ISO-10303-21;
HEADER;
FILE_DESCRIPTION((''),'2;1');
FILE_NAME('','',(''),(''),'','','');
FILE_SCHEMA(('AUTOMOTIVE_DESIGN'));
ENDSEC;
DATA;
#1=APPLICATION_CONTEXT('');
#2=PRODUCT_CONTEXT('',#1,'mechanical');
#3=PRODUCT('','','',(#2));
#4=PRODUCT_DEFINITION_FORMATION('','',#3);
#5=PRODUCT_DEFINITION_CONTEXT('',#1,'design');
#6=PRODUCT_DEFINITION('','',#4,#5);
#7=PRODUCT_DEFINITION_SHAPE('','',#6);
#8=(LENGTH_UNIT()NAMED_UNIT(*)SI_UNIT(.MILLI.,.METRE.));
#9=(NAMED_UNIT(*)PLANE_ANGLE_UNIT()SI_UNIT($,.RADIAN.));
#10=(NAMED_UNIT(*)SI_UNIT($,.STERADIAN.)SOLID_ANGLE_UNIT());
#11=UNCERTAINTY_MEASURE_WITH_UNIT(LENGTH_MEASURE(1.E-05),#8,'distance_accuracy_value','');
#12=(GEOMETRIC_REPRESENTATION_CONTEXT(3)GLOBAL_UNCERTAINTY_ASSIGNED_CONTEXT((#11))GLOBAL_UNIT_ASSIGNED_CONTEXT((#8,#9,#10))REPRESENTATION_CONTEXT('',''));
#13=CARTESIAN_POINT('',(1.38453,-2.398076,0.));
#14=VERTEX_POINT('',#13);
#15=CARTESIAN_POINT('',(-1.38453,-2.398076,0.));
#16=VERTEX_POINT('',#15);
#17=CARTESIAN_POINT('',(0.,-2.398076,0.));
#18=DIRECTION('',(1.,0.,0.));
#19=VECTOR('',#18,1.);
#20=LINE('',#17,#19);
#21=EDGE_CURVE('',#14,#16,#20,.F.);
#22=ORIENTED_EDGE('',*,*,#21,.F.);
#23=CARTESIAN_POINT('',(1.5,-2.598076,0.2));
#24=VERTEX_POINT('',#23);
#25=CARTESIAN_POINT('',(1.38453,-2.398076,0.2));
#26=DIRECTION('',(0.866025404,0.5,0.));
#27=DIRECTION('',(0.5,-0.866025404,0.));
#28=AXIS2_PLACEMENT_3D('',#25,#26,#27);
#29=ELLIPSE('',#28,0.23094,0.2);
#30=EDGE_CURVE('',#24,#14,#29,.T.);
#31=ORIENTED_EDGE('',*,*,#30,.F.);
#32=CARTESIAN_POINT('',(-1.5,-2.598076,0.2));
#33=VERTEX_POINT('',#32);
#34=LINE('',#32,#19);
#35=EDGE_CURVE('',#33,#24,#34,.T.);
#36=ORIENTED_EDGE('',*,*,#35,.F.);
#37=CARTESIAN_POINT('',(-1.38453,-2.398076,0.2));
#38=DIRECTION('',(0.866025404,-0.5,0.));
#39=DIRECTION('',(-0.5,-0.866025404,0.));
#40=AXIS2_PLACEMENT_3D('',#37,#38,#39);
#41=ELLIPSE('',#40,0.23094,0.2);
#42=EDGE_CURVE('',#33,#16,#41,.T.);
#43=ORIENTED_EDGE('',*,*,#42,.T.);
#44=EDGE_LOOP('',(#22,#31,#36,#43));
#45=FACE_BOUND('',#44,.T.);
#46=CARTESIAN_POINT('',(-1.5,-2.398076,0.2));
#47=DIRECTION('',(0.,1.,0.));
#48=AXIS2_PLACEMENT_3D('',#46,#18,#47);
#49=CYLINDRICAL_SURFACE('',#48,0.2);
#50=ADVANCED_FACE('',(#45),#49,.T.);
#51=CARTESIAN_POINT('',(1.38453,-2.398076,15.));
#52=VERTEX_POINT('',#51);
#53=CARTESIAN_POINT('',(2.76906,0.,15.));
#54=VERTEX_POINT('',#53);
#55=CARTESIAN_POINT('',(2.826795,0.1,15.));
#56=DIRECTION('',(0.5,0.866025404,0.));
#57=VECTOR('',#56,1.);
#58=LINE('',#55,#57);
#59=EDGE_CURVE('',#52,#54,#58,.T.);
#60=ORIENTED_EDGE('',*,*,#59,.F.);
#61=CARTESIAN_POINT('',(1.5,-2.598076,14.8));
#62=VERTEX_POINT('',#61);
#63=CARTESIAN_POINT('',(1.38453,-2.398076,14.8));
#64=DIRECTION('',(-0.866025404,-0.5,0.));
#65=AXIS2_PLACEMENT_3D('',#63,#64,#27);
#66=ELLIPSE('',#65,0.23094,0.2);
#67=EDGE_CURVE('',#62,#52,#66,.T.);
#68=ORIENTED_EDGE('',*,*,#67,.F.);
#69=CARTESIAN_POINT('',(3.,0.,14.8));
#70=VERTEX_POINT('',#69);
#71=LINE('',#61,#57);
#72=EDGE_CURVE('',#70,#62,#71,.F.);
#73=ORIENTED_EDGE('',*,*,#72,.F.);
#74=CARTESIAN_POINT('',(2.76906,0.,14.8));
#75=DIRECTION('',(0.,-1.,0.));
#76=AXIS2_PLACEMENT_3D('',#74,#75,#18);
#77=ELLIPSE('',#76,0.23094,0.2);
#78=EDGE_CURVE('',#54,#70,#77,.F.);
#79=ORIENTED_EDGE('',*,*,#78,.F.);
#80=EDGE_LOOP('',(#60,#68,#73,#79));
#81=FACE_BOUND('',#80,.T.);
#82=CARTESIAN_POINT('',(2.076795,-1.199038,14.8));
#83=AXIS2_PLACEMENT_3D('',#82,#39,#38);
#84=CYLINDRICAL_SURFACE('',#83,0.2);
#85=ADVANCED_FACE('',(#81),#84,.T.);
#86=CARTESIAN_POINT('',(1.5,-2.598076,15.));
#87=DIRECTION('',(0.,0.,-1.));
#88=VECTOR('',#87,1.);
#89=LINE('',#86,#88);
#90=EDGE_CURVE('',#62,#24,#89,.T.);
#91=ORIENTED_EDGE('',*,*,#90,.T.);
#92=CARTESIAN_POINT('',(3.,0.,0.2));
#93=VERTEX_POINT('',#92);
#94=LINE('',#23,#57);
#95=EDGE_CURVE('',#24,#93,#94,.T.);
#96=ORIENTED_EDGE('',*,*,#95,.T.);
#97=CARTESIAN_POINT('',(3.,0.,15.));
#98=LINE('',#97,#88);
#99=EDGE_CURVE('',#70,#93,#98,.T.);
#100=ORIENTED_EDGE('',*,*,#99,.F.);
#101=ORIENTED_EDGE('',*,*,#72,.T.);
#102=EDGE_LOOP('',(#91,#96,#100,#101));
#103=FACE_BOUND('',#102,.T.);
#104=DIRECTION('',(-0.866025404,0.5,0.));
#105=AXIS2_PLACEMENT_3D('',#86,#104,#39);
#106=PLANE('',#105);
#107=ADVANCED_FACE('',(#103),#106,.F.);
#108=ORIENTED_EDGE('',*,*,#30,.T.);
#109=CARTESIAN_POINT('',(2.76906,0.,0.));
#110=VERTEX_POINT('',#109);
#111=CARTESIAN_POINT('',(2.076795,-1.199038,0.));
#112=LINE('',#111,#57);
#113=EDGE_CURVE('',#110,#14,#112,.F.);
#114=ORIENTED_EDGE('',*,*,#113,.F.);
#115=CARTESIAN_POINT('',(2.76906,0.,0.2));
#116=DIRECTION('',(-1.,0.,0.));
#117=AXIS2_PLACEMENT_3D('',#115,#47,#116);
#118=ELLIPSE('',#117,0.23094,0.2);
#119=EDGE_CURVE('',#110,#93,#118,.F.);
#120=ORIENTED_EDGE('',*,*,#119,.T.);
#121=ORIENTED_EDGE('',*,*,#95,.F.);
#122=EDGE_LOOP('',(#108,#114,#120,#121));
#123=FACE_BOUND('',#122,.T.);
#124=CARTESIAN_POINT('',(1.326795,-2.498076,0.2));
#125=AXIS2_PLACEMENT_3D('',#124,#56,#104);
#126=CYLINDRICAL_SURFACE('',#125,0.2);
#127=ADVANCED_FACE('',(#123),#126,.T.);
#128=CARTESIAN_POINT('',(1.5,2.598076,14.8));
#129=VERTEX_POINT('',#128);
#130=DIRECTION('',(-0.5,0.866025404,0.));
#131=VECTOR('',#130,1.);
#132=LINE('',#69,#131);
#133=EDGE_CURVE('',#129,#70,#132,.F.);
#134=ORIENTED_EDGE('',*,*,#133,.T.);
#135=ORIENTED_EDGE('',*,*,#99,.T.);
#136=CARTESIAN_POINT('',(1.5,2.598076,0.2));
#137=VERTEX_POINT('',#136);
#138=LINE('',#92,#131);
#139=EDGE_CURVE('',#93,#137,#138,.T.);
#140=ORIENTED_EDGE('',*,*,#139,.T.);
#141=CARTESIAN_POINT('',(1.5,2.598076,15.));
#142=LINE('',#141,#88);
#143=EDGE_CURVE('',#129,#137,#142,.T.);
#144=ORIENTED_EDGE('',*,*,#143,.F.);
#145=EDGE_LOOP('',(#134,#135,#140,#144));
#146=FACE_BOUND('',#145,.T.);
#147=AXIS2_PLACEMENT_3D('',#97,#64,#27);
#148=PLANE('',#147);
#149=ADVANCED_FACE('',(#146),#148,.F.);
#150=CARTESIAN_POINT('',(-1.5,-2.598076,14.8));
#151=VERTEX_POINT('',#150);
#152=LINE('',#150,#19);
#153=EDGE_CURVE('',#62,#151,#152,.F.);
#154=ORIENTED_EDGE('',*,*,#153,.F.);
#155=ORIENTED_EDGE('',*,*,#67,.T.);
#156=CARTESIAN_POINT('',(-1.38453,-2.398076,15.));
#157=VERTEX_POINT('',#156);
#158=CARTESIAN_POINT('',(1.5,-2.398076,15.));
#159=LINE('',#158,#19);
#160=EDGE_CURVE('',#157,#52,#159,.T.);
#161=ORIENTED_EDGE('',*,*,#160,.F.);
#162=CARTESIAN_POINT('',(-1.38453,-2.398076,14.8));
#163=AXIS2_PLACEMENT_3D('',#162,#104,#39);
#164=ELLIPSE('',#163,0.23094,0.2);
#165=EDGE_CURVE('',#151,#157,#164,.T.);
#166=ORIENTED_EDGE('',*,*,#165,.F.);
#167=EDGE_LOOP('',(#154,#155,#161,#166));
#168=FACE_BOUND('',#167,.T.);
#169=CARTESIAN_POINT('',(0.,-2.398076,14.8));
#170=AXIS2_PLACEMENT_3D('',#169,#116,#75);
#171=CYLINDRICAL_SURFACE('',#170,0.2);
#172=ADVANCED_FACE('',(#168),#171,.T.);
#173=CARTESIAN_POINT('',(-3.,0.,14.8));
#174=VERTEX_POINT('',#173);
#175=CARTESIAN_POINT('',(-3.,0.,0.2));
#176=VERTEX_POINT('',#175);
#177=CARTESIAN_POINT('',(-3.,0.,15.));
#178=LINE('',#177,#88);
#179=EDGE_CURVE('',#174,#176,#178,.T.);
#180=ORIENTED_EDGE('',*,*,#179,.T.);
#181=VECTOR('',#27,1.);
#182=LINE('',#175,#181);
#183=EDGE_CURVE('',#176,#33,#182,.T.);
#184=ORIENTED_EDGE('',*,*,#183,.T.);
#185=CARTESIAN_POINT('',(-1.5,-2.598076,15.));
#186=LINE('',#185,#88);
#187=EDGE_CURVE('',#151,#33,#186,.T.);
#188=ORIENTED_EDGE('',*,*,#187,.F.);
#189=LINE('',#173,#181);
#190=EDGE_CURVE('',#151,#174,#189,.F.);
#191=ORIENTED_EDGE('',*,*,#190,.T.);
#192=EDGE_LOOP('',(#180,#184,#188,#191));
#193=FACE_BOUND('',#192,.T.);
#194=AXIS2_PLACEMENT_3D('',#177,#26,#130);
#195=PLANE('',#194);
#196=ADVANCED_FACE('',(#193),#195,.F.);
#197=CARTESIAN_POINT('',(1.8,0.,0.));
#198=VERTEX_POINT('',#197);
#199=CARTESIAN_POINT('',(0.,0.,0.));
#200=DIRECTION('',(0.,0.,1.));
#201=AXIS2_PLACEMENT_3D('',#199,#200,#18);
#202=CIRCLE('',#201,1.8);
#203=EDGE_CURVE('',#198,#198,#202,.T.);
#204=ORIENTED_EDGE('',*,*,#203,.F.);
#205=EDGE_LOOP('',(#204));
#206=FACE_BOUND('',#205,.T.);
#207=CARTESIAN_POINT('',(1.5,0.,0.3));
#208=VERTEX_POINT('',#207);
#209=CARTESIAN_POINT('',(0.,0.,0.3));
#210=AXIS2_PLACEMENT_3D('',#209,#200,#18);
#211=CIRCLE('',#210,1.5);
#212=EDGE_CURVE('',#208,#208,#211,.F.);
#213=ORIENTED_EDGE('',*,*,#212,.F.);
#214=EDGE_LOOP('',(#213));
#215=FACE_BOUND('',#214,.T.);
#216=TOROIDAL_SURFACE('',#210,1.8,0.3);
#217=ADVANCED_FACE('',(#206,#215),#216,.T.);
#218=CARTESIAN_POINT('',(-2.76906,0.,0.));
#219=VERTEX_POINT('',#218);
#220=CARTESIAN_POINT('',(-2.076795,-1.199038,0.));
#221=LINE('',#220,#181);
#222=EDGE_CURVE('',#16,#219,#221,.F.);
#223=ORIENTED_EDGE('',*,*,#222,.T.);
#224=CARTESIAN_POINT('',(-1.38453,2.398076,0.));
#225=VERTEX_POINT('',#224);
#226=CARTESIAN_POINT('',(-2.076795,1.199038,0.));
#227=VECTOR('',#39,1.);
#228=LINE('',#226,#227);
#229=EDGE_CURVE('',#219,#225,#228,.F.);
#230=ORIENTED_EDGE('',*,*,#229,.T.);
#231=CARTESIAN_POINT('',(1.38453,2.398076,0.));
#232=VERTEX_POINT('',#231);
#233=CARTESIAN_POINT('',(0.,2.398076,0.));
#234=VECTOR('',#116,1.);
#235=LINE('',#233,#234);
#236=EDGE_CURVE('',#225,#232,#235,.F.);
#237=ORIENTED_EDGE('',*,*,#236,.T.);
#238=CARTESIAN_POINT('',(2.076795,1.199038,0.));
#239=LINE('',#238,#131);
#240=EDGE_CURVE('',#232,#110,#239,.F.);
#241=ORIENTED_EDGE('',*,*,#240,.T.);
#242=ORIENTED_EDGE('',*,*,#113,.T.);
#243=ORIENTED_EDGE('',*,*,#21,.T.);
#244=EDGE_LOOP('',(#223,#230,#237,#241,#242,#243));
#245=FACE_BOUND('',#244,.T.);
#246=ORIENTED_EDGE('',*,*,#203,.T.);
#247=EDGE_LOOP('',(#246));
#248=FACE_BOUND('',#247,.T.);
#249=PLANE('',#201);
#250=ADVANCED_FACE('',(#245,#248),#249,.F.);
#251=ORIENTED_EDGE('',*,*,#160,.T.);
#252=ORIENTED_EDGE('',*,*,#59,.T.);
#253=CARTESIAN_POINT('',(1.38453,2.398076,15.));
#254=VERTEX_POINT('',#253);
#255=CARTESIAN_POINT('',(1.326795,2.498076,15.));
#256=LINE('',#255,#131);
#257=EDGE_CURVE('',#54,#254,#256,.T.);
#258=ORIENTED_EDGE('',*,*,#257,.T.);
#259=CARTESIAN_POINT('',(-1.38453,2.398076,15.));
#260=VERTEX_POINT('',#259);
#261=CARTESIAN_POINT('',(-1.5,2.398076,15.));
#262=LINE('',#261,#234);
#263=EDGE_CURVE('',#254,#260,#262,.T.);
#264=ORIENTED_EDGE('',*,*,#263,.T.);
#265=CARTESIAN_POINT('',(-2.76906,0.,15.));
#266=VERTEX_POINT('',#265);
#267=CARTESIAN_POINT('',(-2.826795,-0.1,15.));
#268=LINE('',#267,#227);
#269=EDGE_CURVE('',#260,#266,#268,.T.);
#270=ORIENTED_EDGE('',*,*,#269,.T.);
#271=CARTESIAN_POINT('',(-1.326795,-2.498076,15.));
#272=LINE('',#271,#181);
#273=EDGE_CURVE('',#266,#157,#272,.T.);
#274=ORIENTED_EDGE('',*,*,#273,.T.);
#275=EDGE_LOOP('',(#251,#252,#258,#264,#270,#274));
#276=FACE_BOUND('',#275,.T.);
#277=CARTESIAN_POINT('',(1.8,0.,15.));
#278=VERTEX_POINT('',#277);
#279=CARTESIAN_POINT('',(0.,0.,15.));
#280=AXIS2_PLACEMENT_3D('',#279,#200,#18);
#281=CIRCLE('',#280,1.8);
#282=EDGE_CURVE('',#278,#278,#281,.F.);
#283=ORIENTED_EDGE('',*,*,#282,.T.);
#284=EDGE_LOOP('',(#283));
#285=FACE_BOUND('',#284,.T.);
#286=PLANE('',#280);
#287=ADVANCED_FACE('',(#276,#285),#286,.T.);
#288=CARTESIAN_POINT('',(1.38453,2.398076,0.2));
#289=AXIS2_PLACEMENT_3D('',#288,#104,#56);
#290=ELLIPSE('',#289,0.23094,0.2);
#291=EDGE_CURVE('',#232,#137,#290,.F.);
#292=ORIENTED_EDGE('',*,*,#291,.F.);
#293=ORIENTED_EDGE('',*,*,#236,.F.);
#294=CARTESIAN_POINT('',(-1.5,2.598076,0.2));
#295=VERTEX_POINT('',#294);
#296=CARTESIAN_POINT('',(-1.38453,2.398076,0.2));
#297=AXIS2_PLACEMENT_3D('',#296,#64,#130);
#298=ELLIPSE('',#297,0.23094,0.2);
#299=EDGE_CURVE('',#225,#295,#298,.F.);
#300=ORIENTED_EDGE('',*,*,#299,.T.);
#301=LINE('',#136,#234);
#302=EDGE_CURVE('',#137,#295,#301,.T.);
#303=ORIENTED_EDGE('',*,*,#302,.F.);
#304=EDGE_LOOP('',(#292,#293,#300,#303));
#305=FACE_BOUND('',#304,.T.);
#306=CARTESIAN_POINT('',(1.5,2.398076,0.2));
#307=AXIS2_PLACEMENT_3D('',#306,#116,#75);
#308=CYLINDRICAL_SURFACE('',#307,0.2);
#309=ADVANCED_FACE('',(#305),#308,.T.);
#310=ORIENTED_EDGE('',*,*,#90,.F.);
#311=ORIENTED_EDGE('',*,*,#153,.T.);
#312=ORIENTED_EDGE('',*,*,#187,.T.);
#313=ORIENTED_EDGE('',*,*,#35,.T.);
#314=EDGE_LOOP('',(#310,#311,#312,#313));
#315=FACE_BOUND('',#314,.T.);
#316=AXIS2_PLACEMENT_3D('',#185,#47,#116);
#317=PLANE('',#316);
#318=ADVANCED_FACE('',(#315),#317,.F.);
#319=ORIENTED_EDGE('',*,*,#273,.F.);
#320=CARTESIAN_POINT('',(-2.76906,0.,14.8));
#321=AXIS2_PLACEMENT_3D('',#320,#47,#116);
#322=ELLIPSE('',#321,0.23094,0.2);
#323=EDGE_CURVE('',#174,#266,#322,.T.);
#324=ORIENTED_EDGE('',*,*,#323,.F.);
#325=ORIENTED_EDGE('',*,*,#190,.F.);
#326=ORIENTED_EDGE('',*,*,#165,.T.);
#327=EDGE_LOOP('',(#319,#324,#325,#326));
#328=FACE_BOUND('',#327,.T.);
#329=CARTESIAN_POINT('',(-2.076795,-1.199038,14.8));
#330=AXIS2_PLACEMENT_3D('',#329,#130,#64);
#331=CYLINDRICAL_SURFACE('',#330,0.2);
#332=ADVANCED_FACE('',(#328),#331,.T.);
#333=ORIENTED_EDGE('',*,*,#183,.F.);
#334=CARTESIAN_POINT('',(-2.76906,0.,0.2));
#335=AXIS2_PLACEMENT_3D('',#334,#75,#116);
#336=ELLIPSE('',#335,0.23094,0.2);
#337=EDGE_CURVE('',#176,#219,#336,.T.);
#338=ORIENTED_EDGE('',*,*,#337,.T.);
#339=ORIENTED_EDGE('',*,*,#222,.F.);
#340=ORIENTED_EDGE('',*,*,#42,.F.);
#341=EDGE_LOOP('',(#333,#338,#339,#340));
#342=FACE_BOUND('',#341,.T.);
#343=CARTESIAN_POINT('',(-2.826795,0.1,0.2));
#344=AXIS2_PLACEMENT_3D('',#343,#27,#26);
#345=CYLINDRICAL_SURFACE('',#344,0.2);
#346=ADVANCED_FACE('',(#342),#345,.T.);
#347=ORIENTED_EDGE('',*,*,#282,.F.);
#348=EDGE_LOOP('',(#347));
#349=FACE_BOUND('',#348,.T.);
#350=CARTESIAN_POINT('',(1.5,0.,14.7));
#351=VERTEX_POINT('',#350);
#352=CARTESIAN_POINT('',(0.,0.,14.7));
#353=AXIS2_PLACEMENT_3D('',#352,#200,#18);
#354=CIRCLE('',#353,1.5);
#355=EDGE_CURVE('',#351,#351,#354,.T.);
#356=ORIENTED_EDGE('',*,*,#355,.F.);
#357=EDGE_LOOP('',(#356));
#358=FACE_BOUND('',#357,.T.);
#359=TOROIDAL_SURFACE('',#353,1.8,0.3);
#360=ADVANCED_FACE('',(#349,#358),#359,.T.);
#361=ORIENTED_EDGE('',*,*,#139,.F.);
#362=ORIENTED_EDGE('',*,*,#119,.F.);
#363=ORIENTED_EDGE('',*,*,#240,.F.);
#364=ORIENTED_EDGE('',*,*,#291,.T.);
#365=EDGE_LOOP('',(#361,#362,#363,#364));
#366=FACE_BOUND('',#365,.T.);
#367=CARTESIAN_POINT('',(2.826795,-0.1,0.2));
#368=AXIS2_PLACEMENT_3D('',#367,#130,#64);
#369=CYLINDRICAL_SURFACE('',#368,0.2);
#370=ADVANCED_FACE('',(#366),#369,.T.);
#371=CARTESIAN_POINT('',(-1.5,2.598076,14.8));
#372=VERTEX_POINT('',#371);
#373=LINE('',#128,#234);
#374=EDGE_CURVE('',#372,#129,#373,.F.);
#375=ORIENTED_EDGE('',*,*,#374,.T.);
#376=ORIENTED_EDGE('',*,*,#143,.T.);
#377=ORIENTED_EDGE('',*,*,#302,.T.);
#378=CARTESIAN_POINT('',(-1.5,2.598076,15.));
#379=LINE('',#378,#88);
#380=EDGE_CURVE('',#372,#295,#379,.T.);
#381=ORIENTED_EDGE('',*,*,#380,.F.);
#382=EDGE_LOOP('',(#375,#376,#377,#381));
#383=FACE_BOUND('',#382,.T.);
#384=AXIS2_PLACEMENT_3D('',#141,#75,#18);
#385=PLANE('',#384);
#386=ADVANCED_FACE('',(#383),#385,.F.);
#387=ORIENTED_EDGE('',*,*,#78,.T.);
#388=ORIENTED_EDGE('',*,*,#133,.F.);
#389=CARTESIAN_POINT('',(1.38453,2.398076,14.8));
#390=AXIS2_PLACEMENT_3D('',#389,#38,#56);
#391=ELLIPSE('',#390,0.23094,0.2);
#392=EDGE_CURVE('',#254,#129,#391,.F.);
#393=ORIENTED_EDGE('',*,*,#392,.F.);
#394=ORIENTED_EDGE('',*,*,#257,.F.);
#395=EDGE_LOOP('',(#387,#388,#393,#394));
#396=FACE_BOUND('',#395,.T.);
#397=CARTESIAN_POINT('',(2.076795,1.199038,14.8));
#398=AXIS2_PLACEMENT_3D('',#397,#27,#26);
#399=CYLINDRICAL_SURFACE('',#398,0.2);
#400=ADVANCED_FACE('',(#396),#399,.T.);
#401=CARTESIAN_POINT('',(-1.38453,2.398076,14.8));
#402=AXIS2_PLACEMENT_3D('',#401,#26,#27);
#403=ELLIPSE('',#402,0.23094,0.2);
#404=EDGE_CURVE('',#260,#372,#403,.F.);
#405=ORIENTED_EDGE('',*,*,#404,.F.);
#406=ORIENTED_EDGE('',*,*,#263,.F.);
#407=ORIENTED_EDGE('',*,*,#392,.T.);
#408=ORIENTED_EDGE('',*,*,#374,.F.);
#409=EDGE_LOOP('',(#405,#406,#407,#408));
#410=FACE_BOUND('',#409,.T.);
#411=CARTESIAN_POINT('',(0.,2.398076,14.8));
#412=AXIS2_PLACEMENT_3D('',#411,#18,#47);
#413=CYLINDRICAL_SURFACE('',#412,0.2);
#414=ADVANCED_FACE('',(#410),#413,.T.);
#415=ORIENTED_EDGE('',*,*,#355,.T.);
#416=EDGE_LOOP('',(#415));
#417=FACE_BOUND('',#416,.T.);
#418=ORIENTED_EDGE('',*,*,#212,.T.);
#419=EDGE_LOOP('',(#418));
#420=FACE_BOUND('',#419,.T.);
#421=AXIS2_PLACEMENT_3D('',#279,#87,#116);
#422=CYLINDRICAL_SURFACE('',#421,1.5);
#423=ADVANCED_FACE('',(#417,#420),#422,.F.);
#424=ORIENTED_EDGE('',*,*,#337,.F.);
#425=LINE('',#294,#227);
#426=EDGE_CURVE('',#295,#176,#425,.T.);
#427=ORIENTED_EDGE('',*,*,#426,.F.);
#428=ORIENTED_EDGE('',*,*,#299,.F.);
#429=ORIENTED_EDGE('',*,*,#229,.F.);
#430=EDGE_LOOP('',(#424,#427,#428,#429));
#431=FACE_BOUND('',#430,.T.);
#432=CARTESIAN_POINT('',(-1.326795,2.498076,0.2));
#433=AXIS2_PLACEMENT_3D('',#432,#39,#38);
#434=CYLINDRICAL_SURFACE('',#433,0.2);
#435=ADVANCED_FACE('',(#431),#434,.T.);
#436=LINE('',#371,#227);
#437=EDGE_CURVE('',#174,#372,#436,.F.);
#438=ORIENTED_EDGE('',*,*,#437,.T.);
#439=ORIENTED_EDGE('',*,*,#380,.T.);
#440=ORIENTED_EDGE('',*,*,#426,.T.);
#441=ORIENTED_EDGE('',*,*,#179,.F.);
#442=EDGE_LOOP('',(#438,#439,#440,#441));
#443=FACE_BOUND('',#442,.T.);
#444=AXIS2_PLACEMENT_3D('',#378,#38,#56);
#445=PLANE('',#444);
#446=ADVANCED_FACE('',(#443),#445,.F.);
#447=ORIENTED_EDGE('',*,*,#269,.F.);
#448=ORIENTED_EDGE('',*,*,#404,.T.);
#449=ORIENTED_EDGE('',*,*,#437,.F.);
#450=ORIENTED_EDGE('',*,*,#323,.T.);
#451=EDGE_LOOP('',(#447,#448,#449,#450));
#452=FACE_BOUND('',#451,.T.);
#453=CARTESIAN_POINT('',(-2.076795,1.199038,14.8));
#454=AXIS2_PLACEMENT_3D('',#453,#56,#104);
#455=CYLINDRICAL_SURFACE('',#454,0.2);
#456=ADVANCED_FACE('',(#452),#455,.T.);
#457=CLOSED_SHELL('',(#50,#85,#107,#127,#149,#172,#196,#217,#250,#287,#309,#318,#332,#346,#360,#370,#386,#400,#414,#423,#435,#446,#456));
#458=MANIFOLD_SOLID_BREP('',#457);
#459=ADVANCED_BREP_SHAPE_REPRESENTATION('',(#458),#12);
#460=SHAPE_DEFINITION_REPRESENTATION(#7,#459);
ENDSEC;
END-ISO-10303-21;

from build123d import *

# Parameters (mm, degrees)
SKETCH1_R           = 1.5
BOSS_EXTRUDE1_DEPTH = 15
FILLET1_R           = 0.3
FILLET2_R           = 0.2


with BuildPart() as part:
    # Sketch1 → Boss-Extrude1 (new body)
    with BuildSketch(Plane.XY):
        Polygon((3, 0), (1.5, 2.598076211), (-1.5, 2.598076211), (-3, 0), (-1.5, -2.598076211), (1.5, -2.598076211), align=None)
        Circle(SKETCH1_R, mode=Mode.SUBTRACT)
    extrude(amount=BOSS_EXTRUDE1_DEPTH)

    # Fillet1
    fillet1_edges = [part.edges().sort_by_distance(p)[0] for p in [
        (-1.5, 0, 0),
        (-1.5, 0, 15),
    ]]
    fillet(fillet1_edges, radius=FILLET1_R)

    # Fillet2
    fillet2_edges = [part.edges().sort_by_distance(p)[0] for p in [
        (0, 2.598076211, 15),
        (-2.25, 1.299038106, 15),
        (-2.25, -1.299038106, 15),
        (0, -2.598076211, 15),
        (2.25, -1.299038106, 15),
        (0, -2.598076211, 0),
        (-2.25, -1.299038106, 0),
        (-2.25, 1.299038106, 0),
        (2.25, 1.299038106, 15),
        (0, 2.598076211, 0),
        (2.25, 1.299038106, 0),
        (2.25, -1.299038106, 0),
    ]]
    fillet(fillet2_edges, radius=FILLET2_R)


solid = part.part
